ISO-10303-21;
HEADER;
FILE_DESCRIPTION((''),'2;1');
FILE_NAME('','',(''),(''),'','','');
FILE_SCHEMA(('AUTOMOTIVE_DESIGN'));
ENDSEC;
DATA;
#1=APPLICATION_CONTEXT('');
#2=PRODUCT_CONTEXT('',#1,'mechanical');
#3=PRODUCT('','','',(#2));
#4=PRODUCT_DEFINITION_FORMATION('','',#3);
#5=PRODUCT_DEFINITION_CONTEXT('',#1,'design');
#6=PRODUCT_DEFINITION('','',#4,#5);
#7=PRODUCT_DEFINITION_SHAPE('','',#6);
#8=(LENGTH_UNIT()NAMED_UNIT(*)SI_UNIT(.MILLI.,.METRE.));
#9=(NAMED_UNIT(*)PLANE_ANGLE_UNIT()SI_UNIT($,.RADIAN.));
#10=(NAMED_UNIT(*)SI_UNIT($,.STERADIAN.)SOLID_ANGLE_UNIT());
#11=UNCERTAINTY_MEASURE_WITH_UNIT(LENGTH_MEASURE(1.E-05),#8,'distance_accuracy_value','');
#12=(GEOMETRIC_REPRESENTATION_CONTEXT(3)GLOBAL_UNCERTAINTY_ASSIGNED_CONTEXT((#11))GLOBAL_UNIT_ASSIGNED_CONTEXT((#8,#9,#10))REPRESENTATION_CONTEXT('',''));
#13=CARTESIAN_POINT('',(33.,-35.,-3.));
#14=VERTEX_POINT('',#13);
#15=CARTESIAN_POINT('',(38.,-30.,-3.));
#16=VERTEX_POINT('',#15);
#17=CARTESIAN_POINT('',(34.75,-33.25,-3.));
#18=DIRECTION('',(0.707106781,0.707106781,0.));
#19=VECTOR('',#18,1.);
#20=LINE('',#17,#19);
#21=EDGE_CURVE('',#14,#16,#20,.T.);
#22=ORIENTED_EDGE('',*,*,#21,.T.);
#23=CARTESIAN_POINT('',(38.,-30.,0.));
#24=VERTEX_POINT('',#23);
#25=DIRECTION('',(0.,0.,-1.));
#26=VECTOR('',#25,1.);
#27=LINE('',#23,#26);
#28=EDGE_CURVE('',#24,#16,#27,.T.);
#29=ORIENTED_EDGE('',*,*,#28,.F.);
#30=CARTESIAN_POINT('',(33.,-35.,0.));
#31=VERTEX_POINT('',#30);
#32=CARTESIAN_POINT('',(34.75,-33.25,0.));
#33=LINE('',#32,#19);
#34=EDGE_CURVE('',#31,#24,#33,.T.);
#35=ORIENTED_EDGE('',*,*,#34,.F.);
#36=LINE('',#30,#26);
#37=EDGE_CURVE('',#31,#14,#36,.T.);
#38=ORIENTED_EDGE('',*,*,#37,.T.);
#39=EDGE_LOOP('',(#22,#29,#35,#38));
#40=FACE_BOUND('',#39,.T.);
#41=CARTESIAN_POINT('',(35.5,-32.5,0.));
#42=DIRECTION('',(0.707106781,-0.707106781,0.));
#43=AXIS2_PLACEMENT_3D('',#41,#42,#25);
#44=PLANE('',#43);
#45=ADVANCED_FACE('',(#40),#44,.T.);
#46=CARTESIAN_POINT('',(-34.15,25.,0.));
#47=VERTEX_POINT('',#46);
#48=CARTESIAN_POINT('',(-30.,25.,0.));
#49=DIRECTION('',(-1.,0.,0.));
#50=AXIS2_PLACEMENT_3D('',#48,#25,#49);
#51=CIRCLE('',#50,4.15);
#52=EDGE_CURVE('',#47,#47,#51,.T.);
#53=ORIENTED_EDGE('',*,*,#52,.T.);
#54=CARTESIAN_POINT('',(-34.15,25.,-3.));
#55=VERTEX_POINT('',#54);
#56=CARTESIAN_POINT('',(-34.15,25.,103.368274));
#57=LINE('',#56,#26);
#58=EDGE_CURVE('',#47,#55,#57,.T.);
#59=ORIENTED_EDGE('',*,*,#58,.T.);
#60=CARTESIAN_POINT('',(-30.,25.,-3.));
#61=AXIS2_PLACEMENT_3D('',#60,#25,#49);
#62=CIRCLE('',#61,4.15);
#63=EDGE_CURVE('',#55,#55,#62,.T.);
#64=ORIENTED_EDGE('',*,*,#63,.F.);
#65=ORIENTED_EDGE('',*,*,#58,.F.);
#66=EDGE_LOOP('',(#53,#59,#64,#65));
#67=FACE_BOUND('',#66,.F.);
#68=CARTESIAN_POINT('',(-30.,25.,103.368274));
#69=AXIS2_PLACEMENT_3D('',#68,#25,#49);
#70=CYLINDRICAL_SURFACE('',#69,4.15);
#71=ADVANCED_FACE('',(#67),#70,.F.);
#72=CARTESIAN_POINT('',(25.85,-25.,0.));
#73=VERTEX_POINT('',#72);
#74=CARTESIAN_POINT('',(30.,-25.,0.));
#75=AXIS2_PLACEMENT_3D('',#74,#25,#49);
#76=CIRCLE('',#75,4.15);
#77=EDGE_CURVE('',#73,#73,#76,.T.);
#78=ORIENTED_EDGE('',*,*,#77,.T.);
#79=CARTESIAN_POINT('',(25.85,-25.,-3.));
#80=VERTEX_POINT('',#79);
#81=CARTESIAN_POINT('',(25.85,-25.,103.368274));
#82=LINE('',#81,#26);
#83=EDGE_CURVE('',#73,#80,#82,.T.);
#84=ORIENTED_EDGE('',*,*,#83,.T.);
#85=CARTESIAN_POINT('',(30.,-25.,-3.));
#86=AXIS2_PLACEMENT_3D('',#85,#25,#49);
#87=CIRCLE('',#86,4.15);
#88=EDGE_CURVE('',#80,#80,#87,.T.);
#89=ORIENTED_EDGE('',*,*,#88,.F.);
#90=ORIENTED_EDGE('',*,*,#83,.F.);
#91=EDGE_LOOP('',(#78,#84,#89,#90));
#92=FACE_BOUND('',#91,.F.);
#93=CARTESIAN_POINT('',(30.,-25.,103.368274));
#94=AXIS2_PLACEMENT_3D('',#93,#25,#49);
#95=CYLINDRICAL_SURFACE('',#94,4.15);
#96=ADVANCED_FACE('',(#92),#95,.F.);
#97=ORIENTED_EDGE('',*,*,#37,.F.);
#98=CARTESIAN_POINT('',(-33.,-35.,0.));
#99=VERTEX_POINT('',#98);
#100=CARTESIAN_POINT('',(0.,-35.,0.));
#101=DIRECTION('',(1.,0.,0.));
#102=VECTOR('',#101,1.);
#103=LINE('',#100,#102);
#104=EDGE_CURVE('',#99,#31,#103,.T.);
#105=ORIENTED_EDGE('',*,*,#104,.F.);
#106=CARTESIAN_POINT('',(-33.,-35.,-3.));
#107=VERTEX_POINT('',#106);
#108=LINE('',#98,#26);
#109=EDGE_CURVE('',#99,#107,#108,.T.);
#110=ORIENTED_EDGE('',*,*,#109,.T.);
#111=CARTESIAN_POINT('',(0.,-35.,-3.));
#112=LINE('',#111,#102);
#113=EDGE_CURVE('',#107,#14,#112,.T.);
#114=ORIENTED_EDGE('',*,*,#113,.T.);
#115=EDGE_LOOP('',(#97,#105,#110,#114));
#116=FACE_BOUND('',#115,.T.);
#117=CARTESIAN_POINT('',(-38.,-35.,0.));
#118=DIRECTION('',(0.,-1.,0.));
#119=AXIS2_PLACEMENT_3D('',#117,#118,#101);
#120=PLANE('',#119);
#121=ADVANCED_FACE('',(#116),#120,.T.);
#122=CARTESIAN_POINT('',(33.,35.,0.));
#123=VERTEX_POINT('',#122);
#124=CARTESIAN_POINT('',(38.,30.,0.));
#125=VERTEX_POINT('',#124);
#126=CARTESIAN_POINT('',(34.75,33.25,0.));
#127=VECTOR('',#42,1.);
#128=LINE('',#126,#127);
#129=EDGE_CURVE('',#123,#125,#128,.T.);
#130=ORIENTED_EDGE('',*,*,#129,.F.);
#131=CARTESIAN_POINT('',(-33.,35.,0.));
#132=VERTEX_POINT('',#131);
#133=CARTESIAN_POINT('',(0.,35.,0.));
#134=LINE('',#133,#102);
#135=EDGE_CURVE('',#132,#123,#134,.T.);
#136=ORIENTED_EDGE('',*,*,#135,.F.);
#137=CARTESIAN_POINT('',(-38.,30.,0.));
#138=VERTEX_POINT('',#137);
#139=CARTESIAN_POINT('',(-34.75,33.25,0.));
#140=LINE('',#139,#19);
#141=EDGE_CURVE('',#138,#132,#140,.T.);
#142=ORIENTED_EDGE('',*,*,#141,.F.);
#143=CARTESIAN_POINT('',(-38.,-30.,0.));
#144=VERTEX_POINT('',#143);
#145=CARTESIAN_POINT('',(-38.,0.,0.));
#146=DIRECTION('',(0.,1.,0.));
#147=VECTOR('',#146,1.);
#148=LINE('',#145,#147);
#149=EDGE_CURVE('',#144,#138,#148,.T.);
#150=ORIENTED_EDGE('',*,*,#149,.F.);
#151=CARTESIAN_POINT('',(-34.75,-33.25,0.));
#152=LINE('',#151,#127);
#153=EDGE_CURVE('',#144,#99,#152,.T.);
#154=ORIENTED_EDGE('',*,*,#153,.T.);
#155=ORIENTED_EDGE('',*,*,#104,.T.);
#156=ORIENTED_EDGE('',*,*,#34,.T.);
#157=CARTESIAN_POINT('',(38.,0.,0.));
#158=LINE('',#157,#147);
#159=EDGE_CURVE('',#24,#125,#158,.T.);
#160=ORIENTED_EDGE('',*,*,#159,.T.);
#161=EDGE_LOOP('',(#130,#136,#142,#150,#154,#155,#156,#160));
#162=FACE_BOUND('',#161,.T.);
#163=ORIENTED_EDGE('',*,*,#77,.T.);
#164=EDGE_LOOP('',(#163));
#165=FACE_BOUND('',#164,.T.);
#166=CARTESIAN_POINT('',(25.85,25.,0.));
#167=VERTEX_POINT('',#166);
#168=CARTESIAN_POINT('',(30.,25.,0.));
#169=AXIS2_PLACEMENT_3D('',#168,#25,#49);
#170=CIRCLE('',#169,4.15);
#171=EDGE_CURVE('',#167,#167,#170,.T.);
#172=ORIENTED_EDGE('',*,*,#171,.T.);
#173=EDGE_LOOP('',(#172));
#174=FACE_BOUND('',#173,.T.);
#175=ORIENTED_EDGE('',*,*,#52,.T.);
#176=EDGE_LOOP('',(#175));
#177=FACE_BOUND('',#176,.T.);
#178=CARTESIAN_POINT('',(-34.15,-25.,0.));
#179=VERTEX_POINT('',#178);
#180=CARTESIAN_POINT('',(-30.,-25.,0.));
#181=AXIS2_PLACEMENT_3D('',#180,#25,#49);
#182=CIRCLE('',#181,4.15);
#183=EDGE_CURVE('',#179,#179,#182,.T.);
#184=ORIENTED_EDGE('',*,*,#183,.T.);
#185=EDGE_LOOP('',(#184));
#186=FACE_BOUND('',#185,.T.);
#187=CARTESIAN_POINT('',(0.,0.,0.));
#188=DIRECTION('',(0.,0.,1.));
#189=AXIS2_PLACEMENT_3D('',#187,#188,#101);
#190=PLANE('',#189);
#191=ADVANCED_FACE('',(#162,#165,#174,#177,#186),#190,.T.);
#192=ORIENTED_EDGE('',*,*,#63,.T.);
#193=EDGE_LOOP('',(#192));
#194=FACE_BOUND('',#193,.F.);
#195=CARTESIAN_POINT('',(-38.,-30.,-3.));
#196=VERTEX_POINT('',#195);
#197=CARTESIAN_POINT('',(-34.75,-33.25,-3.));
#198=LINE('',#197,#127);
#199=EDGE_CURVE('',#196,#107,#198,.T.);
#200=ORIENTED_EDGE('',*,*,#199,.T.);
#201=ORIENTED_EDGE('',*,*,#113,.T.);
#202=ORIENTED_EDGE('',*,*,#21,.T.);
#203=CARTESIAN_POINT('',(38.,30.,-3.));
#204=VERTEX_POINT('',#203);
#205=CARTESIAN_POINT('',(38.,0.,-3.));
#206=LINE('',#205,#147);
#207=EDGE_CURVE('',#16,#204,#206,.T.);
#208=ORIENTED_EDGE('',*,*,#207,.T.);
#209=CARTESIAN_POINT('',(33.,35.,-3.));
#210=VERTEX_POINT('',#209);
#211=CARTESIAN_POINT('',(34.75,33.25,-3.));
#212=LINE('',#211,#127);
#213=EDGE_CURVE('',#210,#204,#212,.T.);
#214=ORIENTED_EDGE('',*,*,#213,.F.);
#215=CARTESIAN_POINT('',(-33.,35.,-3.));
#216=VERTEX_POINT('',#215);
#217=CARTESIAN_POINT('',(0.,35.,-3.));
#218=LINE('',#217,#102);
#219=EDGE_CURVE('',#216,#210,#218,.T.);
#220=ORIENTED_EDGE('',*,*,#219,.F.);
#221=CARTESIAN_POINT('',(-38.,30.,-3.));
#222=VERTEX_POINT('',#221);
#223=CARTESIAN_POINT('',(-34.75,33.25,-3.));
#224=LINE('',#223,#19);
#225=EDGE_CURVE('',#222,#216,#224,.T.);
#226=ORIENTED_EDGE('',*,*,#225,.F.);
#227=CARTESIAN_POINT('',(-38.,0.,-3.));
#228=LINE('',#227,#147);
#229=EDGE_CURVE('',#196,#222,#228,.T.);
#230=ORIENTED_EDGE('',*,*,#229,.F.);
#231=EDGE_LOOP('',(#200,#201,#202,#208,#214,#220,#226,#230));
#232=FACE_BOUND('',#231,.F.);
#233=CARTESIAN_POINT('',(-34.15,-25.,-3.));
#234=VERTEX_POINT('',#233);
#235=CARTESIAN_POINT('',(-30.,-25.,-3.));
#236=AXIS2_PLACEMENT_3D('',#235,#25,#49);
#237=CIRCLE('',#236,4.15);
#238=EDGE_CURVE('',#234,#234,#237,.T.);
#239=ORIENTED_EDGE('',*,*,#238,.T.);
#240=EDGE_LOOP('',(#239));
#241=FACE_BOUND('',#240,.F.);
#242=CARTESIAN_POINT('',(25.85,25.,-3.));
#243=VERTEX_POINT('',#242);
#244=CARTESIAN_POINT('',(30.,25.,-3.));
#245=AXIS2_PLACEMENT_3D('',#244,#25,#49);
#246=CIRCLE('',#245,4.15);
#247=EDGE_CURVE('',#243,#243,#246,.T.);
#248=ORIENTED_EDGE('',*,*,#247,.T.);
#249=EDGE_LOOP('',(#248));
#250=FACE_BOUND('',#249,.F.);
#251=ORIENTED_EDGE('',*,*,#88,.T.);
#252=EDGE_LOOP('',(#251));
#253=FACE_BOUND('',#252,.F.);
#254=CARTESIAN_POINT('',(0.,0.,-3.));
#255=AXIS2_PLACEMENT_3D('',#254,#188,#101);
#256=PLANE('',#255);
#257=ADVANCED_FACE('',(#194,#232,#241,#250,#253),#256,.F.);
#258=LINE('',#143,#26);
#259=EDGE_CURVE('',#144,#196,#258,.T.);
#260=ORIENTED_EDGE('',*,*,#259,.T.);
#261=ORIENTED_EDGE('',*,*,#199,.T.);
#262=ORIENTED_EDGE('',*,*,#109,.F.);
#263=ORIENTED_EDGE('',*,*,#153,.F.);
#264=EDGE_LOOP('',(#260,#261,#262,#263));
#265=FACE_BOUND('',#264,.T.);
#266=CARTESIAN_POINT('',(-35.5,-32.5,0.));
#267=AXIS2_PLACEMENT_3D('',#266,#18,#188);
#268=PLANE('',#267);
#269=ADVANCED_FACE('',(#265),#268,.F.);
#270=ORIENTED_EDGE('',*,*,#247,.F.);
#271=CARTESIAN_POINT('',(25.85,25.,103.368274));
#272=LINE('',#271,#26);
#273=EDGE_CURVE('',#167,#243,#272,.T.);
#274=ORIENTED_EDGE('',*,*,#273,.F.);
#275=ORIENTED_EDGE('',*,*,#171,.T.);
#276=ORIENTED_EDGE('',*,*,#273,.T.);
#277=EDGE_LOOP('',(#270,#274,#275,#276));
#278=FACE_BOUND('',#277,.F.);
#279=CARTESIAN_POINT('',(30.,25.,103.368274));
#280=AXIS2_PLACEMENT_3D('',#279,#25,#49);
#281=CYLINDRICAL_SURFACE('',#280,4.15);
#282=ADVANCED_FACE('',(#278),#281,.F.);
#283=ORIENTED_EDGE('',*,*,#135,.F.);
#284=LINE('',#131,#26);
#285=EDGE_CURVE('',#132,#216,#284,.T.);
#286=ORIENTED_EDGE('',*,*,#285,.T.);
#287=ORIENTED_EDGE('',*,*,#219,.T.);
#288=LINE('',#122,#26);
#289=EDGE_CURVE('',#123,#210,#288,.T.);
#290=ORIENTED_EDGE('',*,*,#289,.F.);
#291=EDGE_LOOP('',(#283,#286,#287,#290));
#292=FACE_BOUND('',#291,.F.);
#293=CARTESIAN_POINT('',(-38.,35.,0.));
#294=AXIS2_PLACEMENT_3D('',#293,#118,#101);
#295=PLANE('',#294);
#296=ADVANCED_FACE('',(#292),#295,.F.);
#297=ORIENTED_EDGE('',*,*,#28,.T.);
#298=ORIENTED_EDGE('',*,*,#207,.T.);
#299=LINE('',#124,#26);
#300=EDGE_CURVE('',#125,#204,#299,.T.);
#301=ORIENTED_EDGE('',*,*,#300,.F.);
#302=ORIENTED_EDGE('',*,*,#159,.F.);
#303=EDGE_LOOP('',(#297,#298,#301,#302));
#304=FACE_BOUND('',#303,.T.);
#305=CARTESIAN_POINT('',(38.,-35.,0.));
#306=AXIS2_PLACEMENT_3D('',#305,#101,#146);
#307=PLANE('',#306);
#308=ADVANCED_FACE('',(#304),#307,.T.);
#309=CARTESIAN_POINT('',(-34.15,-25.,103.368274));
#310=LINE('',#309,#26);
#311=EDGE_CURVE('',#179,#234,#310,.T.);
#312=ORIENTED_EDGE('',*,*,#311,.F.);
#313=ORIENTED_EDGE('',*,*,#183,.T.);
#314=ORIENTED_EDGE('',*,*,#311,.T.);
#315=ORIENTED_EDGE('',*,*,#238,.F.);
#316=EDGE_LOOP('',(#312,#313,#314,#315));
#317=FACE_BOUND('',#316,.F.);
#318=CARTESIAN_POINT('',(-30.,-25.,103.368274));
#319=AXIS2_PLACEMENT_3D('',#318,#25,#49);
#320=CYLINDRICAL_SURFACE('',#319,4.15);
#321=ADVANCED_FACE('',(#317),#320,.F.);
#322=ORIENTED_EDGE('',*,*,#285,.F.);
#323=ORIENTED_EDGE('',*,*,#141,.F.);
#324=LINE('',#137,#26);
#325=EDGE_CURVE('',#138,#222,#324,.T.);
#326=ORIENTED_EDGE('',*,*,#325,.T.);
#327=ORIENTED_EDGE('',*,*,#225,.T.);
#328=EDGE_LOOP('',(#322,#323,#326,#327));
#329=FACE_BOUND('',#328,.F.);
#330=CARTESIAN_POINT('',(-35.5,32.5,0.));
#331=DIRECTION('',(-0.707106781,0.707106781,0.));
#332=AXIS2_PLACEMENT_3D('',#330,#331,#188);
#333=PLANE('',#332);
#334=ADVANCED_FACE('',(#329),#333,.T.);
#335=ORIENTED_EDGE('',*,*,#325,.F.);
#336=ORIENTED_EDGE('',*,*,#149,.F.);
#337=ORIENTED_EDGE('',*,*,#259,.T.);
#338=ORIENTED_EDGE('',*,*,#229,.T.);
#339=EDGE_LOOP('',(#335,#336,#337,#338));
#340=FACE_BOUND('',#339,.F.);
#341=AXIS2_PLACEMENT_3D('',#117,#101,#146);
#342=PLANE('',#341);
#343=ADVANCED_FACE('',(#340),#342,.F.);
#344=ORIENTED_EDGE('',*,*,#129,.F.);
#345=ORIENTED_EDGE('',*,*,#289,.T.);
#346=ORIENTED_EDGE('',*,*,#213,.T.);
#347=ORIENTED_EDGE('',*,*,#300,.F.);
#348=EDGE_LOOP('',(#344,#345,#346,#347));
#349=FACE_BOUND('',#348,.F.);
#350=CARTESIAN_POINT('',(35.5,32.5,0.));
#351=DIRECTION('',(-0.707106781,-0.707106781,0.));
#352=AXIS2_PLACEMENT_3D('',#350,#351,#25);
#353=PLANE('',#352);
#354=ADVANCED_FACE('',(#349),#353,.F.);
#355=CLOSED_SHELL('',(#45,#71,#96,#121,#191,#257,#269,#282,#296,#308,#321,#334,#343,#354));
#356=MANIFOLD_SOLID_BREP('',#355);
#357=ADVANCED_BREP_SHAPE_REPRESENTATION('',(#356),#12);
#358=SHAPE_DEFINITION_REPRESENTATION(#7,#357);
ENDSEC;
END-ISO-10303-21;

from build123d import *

# Parameters (mm, degrees)
F0_W     = 76
F0_H     = 70
F1_DEPTH = 3
F3_D     = 8.3
F4_SIZE  = 5


with BuildPart() as f1:
    # F0 (on Top) → F1 (new body)
    with BuildSketch(Plane.XY):
        Rectangle(F0_W, F0_H)
    extrude(amount=-F1_DEPTH)

    # F3 (through all)
    with Locations(Plane.XY):
        with Locations((-30, 25), (30, 25), (30, -25), (-30, -25)):
            Hole(F3_D / 2)

    # F4
    f4_edges = [f1.edges().sort_by_distance(p)[0] for p in [
        (-38, 35, -1.5),
        (-38, -35, -1.5),
        (38, -35, -1.5),
        (38, 35, -1.5),
    ]]
    chamfer(f4_edges, length=F4_SIZE)


solid = f1.part
